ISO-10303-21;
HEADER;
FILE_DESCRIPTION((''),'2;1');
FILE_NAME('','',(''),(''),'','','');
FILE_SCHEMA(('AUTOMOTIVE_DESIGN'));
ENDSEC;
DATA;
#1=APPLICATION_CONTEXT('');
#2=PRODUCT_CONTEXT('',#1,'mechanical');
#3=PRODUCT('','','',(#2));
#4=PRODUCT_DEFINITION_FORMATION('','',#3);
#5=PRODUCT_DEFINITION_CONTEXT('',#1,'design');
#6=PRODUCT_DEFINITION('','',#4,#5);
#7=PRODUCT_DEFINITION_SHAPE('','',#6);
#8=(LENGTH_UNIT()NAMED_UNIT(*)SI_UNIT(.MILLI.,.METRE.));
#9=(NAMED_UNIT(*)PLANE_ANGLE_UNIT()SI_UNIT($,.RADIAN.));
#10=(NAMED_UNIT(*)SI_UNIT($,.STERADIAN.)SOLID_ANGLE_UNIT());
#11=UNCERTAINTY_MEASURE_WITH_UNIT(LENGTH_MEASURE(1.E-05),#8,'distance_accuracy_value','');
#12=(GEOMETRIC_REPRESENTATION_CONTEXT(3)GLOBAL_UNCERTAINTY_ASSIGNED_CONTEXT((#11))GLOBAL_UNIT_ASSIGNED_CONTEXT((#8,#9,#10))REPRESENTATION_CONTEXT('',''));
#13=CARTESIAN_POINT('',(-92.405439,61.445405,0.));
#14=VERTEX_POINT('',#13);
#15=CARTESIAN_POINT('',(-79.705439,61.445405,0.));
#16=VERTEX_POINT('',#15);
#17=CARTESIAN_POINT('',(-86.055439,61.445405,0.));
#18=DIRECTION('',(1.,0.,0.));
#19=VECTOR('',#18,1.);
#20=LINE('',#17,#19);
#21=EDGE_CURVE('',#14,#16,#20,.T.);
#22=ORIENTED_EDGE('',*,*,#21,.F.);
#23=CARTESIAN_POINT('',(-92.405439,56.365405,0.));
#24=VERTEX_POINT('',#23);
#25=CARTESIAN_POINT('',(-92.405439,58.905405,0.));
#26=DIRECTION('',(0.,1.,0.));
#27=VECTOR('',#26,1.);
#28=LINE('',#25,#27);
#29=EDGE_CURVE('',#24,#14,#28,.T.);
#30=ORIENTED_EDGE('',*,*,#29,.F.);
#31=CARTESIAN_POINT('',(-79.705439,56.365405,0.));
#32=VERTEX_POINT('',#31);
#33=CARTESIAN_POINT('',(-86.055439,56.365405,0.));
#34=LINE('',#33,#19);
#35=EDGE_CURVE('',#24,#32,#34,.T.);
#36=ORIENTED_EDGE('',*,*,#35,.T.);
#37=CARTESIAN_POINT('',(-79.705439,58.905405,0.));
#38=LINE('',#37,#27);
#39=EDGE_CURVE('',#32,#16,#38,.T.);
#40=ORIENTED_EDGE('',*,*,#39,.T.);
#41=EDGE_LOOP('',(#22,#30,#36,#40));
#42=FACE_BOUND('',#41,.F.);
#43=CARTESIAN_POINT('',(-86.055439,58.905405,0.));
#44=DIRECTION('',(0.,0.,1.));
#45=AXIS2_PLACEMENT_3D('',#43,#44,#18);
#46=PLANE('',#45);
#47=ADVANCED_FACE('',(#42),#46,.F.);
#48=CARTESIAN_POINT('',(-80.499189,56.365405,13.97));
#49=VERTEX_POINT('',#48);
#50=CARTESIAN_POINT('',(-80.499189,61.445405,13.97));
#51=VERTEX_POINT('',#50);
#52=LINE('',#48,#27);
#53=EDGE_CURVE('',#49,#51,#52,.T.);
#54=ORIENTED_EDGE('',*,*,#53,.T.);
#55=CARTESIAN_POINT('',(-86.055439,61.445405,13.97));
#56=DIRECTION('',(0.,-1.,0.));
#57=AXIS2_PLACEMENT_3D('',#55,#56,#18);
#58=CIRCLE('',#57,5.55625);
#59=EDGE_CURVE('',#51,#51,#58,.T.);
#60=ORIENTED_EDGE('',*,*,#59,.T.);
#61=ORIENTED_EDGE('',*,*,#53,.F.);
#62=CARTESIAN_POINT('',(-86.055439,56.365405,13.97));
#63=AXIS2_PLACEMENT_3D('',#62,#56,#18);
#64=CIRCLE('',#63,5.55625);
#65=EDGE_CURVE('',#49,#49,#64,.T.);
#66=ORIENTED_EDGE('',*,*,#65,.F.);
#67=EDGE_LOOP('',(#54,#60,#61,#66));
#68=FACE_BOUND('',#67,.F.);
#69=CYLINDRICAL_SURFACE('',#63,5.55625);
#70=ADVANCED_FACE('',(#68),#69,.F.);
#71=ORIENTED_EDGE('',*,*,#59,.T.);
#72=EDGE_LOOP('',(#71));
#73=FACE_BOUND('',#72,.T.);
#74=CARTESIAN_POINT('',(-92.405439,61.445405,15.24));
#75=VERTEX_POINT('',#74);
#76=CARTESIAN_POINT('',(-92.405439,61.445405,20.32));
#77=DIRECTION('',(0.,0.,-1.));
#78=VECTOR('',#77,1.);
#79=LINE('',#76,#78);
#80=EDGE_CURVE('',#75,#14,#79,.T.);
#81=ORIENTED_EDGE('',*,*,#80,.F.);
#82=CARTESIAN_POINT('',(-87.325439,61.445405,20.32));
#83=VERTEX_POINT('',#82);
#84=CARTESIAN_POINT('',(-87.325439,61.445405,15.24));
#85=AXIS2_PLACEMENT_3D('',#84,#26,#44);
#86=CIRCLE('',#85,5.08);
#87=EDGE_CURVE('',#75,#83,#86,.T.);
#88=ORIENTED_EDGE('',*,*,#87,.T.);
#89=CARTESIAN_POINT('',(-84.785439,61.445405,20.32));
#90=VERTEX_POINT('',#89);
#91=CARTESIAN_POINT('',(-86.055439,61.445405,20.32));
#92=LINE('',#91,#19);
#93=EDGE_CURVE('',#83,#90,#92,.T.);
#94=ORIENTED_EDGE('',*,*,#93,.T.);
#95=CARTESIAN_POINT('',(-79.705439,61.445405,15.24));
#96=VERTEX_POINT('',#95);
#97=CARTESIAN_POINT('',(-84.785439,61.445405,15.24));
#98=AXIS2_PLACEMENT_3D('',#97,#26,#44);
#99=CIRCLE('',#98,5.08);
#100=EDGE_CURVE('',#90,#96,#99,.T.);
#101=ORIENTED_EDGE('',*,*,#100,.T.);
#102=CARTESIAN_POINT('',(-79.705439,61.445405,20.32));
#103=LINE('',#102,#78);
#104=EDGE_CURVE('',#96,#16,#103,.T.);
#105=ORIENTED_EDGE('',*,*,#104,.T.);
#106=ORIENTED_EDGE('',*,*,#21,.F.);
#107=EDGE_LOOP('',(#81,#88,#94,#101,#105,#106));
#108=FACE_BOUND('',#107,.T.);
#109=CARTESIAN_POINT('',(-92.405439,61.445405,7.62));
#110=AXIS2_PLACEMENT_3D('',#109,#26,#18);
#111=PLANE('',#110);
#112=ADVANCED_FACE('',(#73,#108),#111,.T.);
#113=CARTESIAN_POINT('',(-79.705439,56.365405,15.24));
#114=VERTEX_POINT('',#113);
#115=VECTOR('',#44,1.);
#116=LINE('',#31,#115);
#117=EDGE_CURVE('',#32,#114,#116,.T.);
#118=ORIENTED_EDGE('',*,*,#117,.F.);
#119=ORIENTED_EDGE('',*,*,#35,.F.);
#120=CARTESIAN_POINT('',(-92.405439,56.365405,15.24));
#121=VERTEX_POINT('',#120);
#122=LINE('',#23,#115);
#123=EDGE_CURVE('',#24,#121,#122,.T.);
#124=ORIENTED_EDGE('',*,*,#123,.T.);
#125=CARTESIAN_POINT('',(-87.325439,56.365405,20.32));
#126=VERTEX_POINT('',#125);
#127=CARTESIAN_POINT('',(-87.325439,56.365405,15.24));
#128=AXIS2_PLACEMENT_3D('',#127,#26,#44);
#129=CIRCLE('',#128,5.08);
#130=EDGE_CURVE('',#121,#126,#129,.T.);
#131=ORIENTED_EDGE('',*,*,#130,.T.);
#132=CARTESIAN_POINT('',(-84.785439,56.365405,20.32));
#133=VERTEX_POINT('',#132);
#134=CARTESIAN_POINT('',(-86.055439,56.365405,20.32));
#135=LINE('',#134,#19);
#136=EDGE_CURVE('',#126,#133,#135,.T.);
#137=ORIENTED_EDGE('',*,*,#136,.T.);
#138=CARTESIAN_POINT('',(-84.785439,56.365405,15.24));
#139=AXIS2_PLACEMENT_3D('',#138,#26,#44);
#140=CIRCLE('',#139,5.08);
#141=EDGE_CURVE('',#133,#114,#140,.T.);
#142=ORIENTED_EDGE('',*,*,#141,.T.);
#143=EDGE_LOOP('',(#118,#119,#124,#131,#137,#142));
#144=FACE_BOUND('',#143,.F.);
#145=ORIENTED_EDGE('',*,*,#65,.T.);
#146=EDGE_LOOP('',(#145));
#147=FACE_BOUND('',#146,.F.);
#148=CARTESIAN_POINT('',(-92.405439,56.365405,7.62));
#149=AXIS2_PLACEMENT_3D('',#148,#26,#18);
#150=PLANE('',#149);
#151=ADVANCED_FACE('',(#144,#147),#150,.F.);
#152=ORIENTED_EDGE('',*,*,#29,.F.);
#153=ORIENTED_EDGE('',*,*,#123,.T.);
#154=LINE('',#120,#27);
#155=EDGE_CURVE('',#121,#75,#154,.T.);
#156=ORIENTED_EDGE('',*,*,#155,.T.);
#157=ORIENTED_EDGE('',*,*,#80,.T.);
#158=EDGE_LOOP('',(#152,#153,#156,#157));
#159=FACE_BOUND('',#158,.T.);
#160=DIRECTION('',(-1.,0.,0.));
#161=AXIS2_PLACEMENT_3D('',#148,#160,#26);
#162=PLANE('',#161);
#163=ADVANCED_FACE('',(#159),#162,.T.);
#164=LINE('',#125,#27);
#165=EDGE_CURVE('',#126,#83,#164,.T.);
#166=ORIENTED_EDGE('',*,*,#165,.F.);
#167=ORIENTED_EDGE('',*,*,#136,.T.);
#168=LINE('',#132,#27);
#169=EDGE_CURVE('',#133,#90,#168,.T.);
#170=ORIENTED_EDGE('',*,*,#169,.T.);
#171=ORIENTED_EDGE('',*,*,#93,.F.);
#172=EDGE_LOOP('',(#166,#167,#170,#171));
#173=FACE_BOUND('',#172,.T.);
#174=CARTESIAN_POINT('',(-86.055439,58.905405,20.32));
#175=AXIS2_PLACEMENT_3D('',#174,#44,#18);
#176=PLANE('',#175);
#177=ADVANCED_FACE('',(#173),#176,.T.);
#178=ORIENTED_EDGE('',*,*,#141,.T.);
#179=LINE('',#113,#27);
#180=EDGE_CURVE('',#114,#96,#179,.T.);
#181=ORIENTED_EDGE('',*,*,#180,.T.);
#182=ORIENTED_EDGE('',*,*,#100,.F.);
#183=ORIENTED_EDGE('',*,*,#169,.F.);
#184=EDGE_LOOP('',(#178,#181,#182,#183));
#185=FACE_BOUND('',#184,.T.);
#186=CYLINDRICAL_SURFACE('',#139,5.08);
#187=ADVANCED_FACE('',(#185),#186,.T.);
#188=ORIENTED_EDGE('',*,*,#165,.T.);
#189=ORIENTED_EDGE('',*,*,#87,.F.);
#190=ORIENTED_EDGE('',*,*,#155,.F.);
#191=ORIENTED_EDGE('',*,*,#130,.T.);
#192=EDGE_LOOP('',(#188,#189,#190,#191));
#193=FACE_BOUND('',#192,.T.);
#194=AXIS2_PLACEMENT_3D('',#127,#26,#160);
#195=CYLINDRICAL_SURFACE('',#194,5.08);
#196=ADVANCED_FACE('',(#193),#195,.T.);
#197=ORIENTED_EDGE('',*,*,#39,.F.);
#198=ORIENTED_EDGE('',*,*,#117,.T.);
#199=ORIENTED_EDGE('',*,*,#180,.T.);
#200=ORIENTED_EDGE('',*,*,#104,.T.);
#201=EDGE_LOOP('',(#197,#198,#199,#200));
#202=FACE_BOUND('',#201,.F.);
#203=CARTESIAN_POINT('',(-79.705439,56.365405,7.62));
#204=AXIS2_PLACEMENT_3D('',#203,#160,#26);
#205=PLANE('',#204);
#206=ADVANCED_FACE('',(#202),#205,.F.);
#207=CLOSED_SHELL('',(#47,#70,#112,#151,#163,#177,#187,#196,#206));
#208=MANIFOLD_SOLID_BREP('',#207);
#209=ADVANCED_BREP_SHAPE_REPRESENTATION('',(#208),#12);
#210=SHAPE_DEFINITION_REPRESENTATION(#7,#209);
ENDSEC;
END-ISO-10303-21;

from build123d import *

# Parameters (mm, degrees)
F0_W     = 12.7
F0_H     = 5.08
F1_DEPTH = 7.62
F2_W     = 12.7
F2_H     = 5.08
F3_DEPTH = 12.7
F4_R     = 5.55625
F5_DEPTH = 25.4
F6_R     = 5.08


with BuildPart() as f1:
    # F0 (on Top) → F1 (new body)
    with BuildSketch(Plane.XY):
        with Locations((-86.055439, 58.905405)):
            Rectangle(F0_W, F0_H)
    extrude(amount=F1_DEPTH)

    # F2 (on face) → F3 (join)
    with BuildSketch(Plane.XY.offset(7.62)):
        with Locations((-86.055439, 58.905405)):
            Rectangle(F2_W, F2_H)
    extrude(amount=F3_DEPTH)

    # F4 (on face) → F5 (cut)
    with BuildSketch(Plane.XZ.offset(-56.365405)):
        with Locations((-86.055439, 13.97)):
            Circle(F4_R)
    extrude(amount=-F5_DEPTH, mode=Mode.SUBTRACT)

    # F6
    f6_edges = [f1.edges().sort_by_distance(p)[0] for p in [
        (-92.405439, 58.905405, 20.32),
        (-79.705439, 58.905405, 20.32),
    ]]
    fillet(f6_edges, radius=F6_R)


solid = f1.part
